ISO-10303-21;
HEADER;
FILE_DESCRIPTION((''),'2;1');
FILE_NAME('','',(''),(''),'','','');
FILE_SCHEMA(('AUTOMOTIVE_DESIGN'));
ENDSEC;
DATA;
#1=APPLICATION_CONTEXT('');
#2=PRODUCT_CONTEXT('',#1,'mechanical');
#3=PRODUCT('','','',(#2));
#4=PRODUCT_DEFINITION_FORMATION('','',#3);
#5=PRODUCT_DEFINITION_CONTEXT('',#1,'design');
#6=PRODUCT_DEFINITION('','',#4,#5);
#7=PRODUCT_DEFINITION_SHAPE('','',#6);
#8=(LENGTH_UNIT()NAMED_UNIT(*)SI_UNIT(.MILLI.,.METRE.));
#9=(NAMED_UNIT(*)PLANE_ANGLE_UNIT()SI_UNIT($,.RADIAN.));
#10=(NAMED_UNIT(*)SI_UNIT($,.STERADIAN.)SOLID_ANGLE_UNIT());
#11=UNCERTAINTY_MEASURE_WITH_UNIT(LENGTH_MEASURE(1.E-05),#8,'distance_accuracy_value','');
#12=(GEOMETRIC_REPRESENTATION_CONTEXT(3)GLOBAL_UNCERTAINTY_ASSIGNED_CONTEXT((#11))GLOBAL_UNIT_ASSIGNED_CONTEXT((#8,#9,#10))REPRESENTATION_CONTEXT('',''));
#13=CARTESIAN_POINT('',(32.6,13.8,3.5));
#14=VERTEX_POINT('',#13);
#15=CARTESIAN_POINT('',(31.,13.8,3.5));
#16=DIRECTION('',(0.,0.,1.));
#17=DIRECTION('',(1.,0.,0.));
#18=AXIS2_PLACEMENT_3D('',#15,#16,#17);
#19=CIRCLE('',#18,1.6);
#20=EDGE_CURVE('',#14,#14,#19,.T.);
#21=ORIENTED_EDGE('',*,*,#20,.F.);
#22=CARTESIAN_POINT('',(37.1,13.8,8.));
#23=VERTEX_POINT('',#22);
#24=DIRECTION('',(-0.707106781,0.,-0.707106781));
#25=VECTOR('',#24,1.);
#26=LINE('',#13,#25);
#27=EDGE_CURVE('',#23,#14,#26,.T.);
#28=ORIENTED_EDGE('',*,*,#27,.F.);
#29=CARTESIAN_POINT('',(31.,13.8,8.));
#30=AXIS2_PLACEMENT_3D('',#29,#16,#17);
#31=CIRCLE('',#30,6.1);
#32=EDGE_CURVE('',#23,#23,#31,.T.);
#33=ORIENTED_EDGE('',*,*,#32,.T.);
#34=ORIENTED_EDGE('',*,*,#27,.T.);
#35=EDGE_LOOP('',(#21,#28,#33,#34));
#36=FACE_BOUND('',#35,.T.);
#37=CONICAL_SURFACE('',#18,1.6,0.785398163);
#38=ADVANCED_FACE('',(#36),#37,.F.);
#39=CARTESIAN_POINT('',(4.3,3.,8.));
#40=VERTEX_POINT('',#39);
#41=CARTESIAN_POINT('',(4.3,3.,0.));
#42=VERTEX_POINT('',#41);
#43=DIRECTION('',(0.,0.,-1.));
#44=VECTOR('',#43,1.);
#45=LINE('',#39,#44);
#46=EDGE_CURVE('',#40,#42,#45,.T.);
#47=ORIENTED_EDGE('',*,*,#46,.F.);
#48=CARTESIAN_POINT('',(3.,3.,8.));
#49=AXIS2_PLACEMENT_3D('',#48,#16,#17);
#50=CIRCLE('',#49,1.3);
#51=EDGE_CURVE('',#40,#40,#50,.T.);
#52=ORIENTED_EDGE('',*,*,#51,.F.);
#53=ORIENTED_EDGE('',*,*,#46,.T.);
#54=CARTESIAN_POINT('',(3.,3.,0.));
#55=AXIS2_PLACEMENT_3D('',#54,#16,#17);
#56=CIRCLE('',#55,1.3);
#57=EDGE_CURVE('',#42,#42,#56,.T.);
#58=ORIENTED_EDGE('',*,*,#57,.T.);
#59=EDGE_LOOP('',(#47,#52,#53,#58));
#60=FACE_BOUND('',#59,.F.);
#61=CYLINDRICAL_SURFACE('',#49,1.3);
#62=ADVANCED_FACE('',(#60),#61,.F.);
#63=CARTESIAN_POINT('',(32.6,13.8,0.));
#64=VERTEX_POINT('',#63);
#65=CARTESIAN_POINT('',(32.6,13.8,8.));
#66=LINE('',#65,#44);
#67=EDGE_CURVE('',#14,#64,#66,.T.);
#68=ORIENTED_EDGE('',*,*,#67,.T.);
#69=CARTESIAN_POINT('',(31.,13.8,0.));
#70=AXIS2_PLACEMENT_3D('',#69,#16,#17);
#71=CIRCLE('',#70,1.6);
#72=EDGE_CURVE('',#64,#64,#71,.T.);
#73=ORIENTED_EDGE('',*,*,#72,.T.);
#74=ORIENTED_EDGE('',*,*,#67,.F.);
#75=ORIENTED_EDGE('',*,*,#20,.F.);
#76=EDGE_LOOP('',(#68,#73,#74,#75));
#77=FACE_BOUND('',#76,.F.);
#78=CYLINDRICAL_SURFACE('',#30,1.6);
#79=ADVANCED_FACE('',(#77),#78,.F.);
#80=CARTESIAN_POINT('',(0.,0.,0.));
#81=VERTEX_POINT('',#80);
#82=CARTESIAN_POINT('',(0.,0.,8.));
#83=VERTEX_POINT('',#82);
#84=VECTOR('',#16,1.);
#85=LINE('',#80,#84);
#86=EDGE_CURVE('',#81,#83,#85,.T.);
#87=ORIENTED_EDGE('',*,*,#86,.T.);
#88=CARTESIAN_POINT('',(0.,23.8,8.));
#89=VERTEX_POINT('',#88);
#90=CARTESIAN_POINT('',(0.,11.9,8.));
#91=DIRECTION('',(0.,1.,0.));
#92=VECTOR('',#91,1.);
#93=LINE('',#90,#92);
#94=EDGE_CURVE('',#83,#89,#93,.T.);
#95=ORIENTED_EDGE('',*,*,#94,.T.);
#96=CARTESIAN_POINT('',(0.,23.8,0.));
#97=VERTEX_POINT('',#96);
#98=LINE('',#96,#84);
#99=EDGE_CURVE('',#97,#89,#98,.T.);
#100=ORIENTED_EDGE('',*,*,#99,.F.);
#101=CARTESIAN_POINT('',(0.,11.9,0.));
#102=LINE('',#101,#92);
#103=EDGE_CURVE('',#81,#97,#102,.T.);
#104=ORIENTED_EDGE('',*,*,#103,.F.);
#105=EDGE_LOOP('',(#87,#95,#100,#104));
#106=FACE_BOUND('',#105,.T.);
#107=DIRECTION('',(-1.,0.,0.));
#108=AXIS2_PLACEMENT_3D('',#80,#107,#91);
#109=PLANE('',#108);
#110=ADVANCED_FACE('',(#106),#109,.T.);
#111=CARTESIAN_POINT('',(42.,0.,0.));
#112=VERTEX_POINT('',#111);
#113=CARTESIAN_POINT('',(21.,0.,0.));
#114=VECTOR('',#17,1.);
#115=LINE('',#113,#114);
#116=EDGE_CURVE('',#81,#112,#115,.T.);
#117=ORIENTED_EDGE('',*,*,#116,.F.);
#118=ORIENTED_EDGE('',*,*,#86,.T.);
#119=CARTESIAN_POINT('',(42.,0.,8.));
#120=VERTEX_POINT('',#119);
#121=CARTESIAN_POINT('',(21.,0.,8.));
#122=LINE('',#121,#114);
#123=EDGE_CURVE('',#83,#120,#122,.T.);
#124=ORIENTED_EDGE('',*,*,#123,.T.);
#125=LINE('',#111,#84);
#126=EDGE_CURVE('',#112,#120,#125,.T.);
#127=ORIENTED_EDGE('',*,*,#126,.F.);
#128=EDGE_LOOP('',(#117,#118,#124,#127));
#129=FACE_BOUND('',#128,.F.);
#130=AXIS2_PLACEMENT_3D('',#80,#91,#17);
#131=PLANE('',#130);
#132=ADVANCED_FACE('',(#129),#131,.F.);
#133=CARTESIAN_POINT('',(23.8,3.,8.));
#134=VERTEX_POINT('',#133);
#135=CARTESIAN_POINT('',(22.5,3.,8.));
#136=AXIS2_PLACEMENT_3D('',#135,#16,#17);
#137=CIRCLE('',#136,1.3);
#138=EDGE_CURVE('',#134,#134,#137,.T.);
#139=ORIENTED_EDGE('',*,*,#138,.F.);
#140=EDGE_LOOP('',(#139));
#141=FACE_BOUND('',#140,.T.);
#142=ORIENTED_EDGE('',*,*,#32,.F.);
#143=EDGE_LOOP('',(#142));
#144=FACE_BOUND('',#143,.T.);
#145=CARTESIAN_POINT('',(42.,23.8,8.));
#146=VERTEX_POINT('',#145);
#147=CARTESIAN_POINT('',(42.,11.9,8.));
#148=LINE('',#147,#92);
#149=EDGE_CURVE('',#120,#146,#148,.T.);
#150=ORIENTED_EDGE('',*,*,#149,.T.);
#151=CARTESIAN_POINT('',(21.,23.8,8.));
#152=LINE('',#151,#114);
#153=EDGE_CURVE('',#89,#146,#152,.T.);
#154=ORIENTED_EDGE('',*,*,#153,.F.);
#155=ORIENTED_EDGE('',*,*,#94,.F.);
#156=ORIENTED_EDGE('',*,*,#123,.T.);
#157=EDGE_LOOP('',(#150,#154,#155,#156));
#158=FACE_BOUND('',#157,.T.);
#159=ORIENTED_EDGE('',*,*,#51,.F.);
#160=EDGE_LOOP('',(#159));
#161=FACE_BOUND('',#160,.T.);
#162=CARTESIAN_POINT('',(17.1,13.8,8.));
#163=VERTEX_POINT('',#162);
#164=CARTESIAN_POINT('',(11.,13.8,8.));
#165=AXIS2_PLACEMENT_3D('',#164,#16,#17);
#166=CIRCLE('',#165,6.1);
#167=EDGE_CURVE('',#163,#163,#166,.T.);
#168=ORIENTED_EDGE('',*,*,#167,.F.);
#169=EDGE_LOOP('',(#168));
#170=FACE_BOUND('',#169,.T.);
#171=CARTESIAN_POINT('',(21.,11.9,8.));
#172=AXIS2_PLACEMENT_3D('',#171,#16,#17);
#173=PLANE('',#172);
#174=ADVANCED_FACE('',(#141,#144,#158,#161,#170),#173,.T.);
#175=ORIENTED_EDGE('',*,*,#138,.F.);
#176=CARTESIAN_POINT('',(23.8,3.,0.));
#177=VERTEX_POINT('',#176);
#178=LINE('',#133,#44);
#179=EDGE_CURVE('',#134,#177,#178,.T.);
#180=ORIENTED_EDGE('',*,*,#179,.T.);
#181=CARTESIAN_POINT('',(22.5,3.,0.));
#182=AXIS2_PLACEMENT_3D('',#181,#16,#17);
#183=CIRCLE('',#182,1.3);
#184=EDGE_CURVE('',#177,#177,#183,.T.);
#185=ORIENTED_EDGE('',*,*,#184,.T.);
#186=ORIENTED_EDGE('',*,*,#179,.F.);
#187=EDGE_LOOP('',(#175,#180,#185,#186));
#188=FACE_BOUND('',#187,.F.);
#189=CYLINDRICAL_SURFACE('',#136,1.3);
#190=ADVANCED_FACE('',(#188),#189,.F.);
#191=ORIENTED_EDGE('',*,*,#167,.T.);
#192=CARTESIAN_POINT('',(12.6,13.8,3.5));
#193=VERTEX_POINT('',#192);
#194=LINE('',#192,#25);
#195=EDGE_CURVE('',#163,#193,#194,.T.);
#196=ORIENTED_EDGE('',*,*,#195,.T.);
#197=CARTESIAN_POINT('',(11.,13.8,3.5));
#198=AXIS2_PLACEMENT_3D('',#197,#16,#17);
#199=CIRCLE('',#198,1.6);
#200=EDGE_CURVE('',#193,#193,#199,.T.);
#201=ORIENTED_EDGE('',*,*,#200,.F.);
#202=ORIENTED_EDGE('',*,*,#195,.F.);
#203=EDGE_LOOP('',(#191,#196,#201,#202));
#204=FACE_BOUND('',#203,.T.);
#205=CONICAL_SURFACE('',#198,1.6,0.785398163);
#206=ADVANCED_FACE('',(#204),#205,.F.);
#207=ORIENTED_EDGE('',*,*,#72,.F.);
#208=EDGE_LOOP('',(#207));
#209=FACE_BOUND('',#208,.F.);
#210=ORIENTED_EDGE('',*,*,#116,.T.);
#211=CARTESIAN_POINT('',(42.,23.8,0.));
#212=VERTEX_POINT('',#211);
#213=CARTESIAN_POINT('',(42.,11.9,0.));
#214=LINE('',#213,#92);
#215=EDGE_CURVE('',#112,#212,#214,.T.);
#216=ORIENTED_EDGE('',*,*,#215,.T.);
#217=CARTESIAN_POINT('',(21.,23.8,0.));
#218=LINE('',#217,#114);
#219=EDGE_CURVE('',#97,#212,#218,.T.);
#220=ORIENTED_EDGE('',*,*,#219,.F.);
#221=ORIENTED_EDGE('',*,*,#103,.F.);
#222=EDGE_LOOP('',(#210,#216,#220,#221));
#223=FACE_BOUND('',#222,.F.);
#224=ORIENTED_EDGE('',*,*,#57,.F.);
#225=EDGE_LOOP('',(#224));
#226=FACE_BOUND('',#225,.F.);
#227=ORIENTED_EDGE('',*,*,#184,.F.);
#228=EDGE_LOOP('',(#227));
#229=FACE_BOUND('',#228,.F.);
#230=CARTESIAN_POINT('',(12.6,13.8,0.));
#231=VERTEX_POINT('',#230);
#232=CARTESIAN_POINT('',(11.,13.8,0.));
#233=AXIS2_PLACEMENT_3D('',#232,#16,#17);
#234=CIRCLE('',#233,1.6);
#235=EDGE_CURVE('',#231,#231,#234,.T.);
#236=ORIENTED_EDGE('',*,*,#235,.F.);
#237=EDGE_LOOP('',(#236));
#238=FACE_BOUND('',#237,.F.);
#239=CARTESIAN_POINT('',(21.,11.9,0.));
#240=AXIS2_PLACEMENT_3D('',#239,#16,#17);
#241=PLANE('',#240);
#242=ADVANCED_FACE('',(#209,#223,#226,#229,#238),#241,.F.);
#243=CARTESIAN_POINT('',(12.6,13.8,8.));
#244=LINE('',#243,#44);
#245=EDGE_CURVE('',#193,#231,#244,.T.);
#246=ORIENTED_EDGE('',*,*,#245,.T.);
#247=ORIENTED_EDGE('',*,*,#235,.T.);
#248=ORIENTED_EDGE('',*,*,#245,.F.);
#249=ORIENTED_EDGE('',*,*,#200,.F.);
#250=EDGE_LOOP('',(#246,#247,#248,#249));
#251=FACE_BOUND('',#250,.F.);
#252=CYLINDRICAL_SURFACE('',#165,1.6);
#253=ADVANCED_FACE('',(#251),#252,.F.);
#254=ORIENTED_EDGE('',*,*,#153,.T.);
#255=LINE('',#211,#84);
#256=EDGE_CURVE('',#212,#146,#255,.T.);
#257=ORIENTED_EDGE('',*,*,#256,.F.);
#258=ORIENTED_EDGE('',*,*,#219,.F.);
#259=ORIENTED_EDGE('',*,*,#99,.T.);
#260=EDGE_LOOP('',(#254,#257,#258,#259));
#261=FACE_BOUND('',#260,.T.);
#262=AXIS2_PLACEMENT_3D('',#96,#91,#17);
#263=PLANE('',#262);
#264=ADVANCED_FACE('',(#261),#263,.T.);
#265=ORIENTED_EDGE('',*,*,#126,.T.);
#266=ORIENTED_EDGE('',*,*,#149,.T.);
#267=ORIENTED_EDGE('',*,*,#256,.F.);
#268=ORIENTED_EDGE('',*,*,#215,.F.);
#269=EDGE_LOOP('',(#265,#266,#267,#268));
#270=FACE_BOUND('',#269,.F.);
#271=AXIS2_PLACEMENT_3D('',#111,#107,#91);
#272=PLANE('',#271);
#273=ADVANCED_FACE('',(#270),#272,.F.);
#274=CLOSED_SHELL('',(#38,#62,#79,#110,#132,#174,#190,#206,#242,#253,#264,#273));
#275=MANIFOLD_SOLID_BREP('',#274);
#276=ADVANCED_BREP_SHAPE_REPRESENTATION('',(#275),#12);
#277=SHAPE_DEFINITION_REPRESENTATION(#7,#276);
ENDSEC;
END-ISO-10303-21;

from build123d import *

# Parameters (mm, degrees)
SKETCH030_W     = 42
SKETCH030_H     = 23.8
PAD019_DEPTH    = 8
SKETCH032_R     = 1.6
SKETCH032_R_2   = 1.3
POCKET010_DEPTH = 8.001
CHAMFER002_SIZE = 4.5


with BuildPart() as part:
    # Sketch030 → Pad019 (new body)
    with BuildSketch(Plane.XY):
        with Locations((21, 11.9)):
            Rectangle(SKETCH030_W, SKETCH030_H)
    extrude(amount=PAD019_DEPTH)

    # Sketch032 (on Face6 of Pad019) → Pocket010 (cut, through all)
    with BuildSketch(Plane.XY.offset(8)):
        with Locations((11, 13.8)):
            Circle(SKETCH032_R)
        with Locations((31, 13.8)):
            Circle(SKETCH032_R)
        with Locations((3, 3)):
            Circle(SKETCH032_R_2)
        with Locations((22.5, 3)):
            Circle(SKETCH032_R_2)
    extrude(amount=-POCKET010_DEPTH, mode=Mode.SUBTRACT)

    # Chamfer002
    chamfer002_edges = [part.edges().sort_by_distance(p)[0] for p in [
        (9.4, 13.8, 8),
        (29.4, 13.8, 8),
    ]]
    chamfer(chamfer002_edges, length=CHAMFER002_SIZE)


solid = part.part
